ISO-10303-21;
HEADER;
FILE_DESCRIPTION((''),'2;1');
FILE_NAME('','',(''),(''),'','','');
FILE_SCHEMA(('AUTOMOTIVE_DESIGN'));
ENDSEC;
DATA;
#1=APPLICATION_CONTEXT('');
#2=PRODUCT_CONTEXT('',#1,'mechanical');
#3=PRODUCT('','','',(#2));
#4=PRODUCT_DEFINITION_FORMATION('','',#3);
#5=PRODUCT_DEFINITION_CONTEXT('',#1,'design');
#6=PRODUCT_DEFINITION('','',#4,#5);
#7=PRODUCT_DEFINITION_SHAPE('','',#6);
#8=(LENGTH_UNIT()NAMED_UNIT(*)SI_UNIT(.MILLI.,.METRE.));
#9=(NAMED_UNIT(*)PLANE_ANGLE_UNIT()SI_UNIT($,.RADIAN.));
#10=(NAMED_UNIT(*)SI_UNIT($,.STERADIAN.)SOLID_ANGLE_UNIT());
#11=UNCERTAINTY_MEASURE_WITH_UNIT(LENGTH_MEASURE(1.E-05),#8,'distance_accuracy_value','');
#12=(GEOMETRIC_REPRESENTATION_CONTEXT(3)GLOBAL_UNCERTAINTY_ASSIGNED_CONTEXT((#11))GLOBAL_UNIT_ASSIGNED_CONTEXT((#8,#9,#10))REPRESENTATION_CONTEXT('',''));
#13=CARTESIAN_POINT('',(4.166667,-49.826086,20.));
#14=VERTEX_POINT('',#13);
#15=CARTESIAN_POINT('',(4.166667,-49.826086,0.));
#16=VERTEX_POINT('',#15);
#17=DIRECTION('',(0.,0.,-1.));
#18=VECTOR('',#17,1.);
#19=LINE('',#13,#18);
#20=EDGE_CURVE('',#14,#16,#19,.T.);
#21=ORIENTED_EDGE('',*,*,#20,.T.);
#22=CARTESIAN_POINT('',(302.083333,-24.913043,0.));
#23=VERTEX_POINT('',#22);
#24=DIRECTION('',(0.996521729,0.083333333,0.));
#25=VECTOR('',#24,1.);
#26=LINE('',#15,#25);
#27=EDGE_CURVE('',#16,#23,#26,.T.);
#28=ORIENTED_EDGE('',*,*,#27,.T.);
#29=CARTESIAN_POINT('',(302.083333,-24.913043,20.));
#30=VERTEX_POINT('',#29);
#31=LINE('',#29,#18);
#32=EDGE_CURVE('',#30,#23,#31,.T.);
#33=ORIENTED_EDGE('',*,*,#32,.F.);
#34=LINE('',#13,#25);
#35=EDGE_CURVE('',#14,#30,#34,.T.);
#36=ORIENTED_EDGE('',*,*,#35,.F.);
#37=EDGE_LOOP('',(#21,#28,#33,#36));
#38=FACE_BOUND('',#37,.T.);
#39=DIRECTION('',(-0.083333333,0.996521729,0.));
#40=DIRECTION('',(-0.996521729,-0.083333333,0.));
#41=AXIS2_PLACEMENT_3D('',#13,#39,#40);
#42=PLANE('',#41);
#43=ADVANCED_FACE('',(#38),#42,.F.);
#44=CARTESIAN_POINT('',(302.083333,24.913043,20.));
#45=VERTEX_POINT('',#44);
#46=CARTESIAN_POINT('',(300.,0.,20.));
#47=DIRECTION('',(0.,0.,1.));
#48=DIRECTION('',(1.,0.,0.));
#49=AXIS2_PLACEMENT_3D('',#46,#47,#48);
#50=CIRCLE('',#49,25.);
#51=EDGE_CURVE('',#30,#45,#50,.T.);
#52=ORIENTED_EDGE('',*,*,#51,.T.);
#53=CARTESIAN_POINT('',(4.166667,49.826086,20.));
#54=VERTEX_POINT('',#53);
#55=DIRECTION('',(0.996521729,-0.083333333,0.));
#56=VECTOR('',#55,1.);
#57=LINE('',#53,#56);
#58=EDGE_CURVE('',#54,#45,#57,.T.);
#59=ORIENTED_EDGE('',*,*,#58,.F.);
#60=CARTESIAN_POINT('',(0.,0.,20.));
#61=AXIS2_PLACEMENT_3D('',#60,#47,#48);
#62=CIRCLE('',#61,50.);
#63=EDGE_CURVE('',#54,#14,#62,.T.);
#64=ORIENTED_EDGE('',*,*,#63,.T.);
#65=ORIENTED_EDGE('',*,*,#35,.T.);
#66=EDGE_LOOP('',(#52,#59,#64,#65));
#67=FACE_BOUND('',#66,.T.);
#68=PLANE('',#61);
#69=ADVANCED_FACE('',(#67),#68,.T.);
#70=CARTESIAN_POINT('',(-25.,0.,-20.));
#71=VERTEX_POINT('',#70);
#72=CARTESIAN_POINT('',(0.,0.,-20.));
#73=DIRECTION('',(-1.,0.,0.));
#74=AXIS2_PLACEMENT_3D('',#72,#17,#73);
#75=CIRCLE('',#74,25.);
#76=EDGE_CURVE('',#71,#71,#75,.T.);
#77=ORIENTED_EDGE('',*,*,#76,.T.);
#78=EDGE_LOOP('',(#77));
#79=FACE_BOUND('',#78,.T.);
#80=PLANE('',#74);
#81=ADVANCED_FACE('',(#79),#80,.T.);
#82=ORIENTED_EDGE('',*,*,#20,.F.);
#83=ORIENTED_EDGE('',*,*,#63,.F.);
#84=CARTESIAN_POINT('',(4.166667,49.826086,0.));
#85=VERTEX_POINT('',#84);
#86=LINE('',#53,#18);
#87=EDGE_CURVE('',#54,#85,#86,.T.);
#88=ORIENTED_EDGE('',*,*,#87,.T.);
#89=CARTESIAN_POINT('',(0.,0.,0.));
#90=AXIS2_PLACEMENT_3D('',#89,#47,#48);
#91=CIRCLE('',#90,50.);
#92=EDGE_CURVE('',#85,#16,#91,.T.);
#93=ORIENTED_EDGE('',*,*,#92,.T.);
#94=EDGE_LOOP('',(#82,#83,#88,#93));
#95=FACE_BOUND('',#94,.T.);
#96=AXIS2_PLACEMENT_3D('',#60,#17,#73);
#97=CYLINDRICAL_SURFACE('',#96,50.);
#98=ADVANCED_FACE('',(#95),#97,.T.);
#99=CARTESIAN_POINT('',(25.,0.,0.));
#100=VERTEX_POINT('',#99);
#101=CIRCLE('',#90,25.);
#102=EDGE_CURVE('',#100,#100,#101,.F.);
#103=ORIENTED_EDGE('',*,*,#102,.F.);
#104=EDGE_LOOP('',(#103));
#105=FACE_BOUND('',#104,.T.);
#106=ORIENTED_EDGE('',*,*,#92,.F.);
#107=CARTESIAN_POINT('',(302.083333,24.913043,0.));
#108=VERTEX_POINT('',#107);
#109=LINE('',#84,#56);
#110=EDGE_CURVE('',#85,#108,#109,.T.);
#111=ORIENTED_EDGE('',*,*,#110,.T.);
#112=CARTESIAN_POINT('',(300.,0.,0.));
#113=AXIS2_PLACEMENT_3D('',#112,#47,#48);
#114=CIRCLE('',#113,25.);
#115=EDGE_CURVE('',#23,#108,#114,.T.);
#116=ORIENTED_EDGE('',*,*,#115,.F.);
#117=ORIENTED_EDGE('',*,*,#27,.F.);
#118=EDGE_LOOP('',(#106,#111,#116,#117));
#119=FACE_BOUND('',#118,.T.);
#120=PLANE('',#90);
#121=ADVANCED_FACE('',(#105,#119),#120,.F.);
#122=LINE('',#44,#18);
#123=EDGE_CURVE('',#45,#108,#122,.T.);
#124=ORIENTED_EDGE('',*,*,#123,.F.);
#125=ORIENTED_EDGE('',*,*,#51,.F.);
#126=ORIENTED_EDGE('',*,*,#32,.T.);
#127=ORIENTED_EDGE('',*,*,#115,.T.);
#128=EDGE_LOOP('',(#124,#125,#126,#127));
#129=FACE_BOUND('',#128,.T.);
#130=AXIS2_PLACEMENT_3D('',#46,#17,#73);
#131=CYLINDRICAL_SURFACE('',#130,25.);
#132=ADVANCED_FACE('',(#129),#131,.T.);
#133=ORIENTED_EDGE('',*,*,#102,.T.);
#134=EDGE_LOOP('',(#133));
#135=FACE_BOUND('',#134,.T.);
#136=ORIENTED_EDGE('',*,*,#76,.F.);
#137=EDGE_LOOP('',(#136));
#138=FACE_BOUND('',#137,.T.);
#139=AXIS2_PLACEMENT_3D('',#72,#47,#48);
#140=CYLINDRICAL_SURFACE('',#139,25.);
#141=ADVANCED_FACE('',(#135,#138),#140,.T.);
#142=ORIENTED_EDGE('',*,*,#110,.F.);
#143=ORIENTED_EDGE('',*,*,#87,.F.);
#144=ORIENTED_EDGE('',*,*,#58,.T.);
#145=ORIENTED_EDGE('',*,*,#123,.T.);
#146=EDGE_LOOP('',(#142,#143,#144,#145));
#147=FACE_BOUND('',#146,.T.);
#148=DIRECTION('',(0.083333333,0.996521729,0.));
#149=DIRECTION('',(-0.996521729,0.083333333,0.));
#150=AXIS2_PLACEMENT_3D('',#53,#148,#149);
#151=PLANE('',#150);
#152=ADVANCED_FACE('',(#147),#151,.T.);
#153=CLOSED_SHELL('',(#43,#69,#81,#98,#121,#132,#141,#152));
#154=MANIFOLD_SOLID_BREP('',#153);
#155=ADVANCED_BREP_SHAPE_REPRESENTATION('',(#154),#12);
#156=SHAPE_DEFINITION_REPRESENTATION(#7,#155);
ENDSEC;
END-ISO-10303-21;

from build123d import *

# Parameters (mm, degrees)
SKETCH_1_R      = 50
SKETCH_1_R_2    = 25
EXTRUDE_1_DEPTH = 20
SKETCH_2_R      = 25
EXTRUDE_2_DEPTH = 20


with BuildPart() as part:
    # 草图1 → 凸台-拉伸1 (new body)
    with BuildSketch(Plane.XY):
        Circle(SKETCH_1_R)
        with BuildLine():
            Line((302.083333333, 24.913043215), (4.166666667, 49.82608643))
            ThreePointArc((4.166666667, 49.82608643), (36.79900361, 33.850160019), (50, 0))
            ThreePointArc((50, 0), (36.79900361, -33.850160019), (4.166666667, -49.82608643))
            Line((4.166666667, -49.82608643), (302.083333333, -24.913043215))
            ThreePointArc((302.083333333, -24.913043215), (275, 0), (302.083333333, 24.913043215))
        make_face()
        with Locations((300, 0)):
            Circle(SKETCH_1_R_2)
    extrude(amount=EXTRUDE_1_DEPTH)

    # 草图2 → 凸台-拉伸2 (add)
    with BuildSketch(Plane(origin=(0, 0, 0), x_dir=(-1, 0, 0), z_dir=(0, 0, -1))):
        with Locations(Location((0, 0, 0), (0, 0, 180))):
            Circle(SKETCH_2_R)
    extrude(amount=EXTRUDE_2_DEPTH)


solid = part.part
